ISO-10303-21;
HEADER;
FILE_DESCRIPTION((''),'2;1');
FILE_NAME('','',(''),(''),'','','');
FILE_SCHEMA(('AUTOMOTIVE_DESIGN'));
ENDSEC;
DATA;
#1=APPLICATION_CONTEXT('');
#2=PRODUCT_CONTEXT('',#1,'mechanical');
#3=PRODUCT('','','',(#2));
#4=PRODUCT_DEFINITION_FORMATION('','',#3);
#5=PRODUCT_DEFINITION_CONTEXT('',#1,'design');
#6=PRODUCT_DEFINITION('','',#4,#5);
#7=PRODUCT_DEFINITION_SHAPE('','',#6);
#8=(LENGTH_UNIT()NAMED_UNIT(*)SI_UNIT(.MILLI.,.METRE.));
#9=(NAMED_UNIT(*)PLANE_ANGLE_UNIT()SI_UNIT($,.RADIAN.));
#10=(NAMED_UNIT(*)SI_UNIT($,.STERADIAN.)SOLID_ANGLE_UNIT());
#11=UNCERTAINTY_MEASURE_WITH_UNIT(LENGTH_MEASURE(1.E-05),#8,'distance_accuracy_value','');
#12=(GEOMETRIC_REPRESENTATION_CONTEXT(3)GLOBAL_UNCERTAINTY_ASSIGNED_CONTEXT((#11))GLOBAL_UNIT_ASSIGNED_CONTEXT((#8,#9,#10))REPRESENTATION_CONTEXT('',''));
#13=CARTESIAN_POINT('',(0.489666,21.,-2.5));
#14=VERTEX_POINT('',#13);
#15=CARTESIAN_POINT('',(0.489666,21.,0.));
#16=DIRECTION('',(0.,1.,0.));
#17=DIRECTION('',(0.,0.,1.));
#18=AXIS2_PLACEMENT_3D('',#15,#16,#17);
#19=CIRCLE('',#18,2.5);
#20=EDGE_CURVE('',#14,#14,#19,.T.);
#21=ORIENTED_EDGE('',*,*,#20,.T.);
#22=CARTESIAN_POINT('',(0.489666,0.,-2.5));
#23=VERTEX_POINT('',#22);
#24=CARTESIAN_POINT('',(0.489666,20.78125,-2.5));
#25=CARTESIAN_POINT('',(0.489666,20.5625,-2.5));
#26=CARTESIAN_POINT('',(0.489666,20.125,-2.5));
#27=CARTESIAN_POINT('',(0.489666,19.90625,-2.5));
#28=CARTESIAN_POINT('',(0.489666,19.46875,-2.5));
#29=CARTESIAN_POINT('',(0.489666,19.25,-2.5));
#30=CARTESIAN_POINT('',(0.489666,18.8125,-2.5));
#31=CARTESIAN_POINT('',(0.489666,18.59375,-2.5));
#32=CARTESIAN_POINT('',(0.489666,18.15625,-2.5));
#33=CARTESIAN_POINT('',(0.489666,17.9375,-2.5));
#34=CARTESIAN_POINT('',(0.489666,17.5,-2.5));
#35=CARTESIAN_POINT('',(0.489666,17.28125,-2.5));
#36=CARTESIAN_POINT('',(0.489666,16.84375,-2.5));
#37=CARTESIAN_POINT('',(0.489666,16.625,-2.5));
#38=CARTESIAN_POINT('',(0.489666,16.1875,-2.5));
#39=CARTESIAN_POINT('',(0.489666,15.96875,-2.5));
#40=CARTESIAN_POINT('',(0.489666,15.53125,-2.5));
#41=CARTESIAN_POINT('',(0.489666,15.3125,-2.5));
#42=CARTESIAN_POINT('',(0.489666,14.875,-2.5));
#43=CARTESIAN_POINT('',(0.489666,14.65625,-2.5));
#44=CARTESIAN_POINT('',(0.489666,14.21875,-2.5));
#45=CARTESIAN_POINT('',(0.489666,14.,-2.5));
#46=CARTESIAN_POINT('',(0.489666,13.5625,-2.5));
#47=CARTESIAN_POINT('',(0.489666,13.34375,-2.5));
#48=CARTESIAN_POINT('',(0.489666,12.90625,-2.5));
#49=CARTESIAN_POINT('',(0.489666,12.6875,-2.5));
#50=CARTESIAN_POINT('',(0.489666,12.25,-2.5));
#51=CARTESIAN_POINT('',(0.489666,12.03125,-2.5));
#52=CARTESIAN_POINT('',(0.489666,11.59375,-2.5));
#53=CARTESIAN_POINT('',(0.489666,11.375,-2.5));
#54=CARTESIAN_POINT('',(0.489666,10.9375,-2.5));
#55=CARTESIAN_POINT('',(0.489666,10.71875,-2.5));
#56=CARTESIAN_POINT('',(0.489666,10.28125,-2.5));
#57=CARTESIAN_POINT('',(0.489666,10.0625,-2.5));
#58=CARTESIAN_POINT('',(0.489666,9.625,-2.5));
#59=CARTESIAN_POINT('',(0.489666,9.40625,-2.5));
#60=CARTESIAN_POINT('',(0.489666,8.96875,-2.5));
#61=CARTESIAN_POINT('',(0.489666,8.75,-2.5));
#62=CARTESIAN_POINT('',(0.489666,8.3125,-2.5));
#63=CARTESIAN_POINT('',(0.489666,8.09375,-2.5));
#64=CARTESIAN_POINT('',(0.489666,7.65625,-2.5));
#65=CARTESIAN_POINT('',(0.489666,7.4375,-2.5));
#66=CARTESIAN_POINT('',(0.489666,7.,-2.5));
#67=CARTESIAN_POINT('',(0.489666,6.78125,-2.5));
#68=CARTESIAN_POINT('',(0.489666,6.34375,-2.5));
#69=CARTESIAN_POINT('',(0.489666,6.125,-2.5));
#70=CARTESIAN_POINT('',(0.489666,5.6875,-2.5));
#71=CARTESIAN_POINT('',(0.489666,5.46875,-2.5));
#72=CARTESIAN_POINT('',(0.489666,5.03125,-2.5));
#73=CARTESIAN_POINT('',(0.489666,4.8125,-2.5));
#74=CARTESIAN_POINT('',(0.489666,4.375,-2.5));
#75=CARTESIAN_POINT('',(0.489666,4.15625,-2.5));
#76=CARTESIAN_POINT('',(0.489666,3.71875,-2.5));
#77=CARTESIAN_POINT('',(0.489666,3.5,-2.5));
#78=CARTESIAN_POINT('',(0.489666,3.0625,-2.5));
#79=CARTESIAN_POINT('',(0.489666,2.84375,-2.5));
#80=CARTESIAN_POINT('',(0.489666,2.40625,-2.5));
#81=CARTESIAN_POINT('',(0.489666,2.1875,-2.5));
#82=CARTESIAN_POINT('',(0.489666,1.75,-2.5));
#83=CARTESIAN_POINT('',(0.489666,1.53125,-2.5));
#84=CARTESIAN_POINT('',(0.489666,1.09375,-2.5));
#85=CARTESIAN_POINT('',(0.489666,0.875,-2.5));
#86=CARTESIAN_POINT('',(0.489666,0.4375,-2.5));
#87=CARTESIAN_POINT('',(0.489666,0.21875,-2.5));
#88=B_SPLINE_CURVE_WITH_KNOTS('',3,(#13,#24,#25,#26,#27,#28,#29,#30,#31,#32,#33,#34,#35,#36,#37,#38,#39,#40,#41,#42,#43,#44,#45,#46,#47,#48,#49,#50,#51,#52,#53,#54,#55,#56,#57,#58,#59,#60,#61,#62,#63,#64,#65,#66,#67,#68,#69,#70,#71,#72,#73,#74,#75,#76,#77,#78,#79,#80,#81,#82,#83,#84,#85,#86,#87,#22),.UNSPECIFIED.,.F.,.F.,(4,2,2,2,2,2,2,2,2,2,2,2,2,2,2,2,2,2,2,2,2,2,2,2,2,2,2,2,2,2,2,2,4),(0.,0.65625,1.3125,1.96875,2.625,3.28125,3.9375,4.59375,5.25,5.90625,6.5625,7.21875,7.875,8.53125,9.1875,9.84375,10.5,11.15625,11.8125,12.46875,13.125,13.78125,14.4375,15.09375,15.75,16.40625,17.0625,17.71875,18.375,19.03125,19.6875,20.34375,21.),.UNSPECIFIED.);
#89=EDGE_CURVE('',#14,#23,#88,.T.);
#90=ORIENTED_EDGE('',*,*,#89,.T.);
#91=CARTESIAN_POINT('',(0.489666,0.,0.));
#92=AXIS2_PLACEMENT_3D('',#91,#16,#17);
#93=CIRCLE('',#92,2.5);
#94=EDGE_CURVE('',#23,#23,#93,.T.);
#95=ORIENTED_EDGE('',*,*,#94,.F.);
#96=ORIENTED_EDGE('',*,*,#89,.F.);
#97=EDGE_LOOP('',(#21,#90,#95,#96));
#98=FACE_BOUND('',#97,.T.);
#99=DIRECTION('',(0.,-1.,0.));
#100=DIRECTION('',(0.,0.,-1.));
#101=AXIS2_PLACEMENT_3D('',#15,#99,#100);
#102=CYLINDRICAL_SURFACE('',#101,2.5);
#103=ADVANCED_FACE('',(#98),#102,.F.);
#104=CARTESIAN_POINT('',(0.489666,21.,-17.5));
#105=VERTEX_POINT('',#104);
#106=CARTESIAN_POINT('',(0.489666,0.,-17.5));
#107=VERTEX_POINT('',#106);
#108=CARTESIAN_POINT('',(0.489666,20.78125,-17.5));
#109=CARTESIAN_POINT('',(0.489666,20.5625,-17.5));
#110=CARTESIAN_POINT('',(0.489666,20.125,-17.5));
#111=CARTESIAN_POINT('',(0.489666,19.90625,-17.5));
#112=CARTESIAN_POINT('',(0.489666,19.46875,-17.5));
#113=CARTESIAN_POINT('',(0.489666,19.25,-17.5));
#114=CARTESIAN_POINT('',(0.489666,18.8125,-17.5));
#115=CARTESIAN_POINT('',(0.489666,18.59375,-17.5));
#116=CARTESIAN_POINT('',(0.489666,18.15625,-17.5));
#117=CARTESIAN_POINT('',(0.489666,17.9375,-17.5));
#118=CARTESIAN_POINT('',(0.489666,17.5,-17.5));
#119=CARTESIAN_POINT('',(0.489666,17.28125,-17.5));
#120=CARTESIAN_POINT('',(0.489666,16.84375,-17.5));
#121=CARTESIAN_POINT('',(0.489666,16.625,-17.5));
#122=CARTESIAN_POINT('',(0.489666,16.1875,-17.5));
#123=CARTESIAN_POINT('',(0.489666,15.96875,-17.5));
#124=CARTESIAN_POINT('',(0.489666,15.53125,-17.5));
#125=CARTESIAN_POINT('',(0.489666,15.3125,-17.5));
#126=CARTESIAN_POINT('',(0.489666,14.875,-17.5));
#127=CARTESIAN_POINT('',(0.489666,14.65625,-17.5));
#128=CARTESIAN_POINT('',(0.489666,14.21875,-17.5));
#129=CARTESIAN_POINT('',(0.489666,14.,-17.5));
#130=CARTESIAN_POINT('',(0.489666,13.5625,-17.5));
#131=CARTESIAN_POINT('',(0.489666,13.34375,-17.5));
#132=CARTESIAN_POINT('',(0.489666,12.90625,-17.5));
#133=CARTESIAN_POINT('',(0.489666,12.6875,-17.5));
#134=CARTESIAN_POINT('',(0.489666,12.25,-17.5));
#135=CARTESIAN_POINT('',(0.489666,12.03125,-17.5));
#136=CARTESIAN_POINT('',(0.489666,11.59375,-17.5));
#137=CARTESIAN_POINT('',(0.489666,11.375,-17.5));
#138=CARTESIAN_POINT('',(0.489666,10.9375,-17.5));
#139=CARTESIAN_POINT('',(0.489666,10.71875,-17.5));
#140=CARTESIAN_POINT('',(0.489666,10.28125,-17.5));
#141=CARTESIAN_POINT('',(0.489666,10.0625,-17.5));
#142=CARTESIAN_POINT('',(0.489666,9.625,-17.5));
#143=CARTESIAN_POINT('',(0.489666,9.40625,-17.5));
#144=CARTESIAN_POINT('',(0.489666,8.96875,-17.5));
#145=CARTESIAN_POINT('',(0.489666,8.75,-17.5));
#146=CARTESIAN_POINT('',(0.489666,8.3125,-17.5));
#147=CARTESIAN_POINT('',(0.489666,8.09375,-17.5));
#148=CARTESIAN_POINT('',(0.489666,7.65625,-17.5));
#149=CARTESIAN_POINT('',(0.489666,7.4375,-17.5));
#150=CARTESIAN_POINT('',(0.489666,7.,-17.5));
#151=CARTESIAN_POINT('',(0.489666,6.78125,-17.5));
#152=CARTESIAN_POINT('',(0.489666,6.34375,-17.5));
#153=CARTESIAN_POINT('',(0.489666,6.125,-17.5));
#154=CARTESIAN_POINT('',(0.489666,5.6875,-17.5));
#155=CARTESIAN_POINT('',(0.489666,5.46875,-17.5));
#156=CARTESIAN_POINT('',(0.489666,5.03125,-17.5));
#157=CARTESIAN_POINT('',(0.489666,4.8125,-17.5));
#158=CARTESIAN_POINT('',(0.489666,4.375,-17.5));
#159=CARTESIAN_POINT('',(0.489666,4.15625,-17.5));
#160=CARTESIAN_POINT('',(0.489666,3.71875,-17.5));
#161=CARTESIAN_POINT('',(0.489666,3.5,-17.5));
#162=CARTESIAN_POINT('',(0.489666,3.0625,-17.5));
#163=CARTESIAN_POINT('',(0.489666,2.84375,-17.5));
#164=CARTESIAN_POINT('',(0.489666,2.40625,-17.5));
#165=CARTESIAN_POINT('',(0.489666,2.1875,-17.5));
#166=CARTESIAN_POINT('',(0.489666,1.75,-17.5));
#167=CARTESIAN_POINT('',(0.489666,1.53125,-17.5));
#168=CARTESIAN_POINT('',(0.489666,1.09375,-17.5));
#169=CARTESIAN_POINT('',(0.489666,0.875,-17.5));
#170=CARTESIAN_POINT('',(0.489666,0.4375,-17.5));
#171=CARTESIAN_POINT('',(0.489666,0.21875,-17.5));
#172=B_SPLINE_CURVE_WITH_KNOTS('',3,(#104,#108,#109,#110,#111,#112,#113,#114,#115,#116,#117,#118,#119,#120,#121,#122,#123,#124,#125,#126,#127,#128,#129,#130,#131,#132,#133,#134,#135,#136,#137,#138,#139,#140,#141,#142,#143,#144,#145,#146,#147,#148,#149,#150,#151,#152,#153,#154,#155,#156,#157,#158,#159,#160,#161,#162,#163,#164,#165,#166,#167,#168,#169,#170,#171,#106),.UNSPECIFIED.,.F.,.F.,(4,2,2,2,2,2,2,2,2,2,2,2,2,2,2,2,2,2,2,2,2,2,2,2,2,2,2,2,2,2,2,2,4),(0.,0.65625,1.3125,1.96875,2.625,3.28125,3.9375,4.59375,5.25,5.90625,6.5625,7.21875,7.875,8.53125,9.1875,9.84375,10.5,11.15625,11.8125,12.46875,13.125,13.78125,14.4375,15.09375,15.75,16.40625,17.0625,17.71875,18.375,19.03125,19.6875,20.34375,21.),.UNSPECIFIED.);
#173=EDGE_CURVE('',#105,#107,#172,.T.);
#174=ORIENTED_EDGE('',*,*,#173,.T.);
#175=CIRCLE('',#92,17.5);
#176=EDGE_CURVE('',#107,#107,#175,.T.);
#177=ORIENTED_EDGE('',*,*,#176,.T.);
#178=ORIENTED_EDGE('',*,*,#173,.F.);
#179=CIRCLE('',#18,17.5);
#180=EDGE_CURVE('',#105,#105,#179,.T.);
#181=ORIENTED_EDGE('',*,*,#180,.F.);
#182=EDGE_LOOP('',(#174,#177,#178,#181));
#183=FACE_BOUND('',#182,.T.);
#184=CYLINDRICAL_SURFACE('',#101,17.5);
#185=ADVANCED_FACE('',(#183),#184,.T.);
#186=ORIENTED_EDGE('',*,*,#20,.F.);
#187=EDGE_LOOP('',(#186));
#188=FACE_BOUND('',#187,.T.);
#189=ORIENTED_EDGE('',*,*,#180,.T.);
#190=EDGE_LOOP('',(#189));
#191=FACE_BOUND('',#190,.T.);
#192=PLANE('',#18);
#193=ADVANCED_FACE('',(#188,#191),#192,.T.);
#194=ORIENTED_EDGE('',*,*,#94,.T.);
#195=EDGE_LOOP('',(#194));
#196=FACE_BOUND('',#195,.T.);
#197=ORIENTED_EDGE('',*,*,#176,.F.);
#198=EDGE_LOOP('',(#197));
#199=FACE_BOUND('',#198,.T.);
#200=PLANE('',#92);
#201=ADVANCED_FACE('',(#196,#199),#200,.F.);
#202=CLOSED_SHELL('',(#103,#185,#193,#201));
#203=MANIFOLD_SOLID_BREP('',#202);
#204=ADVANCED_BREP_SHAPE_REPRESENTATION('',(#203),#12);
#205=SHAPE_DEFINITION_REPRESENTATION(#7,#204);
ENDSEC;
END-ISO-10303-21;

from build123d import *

# Parameters (mm, degrees)
ESBO_O1_R                = 17.5
ESBO_O1_R_2              = 2.5
RESSALTO_EXTRUS_O1_DEPTH = 21


with BuildPart() as part:
    # Esboço1 → Ressalto-extrusão1 (new body)
    with BuildSketch(Plane(origin=(0, 0, 0), x_dir=(1, 0, 0), z_dir=(0, 1, 0))):
        with Locations(Location((0.489666327, 0, 0), (0, 0, 90))):
            Circle(ESBO_O1_R)
        with Locations(Location((0.489666327, 0, 0), (0, 0, 90))):
            Circle(ESBO_O1_R_2, mode=Mode.SUBTRACT)
    extrude(amount=RESSALTO_EXTRUS_O1_DEPTH)


solid = part.part
